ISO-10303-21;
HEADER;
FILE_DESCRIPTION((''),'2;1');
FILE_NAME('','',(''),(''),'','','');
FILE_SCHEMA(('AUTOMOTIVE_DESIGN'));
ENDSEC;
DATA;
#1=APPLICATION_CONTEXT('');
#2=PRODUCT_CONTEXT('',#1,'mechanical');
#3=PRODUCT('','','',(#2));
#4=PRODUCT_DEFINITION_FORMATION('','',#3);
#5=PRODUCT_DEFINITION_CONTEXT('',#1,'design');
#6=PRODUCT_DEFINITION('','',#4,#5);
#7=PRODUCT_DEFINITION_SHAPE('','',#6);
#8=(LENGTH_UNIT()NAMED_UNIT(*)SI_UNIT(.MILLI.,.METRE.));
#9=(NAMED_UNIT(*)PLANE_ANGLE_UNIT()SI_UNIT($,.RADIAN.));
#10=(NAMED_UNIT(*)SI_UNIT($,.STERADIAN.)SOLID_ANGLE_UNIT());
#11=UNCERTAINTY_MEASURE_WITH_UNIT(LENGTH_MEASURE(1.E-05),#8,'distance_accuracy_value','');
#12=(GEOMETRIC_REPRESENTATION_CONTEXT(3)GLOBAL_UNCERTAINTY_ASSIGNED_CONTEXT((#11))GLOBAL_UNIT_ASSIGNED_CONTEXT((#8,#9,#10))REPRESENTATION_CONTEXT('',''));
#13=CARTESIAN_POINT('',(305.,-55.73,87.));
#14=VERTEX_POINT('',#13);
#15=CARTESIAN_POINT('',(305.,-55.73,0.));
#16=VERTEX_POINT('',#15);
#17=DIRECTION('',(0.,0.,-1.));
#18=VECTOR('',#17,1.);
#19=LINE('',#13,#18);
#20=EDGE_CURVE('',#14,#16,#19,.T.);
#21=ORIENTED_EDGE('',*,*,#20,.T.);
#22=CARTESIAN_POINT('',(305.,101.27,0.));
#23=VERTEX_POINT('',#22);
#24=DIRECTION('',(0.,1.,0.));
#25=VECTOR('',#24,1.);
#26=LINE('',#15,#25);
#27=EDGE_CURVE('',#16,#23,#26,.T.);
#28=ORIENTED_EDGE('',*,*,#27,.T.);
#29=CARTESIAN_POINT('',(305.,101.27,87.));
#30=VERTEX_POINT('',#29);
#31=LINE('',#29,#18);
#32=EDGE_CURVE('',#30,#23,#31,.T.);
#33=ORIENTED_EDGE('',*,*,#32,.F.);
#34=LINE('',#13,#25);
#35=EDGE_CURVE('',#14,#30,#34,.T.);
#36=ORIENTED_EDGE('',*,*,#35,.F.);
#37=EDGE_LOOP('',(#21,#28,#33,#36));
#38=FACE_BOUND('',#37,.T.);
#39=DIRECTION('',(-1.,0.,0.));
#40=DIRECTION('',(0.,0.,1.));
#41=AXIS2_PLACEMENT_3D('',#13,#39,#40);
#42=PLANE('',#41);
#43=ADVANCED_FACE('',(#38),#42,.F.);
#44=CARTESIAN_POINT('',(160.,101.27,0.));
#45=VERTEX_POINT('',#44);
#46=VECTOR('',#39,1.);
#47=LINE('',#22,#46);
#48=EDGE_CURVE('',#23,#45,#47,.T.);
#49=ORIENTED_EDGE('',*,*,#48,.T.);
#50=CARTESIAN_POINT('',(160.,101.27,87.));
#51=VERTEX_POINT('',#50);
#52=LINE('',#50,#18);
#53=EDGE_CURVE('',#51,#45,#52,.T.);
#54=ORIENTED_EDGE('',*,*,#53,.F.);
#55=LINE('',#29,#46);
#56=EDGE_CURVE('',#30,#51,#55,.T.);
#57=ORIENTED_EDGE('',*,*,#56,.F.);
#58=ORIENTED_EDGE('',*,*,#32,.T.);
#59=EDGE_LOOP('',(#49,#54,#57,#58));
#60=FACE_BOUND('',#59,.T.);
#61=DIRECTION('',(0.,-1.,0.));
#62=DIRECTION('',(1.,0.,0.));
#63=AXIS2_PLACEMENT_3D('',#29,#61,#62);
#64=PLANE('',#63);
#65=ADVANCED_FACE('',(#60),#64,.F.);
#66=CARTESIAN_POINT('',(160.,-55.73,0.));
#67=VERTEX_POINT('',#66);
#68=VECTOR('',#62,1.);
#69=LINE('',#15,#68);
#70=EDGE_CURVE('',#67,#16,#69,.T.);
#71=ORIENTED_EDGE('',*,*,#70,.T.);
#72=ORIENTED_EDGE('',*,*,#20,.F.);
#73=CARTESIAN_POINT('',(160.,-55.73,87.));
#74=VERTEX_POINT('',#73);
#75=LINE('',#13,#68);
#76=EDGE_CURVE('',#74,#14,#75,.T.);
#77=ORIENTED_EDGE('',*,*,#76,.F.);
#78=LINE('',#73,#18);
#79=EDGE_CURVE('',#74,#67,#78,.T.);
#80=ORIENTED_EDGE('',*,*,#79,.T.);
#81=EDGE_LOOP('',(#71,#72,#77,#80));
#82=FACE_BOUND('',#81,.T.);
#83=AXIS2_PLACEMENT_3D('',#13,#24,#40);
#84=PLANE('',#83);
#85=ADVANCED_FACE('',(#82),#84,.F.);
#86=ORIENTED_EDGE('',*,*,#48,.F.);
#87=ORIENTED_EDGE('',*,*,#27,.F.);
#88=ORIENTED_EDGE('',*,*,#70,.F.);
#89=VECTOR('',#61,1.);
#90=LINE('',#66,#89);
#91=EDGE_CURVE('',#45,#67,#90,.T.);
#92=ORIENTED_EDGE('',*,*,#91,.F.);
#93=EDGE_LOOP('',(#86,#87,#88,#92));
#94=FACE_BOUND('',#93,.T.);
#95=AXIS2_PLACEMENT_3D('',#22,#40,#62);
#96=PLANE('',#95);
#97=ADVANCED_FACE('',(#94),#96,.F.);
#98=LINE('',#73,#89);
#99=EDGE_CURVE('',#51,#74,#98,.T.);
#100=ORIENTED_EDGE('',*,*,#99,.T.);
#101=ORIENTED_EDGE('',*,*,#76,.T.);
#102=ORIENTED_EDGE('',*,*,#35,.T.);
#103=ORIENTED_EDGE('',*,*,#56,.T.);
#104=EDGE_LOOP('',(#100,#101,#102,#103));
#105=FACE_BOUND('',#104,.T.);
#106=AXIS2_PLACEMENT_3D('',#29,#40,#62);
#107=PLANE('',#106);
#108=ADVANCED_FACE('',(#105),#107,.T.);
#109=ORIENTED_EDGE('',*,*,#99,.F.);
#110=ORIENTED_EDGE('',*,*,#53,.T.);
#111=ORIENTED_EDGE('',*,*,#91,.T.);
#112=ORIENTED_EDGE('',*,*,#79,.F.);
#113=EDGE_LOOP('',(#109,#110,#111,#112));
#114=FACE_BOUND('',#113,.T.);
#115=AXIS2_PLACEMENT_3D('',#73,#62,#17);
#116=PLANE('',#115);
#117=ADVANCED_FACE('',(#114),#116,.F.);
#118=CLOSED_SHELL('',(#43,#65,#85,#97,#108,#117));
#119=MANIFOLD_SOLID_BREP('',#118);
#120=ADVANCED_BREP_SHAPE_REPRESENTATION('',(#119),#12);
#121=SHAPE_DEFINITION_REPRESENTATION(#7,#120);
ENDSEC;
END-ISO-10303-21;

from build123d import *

# Parameters (mm, degrees)
SKETCH1_W           = 145
SKETCH1_H           = 157
BOSS_EXTRUDE1_DEPTH = 87


with BuildPart() as part:
    # Sketch1 → Boss-Extrude1 (new body)
    with BuildSketch(Plane.XY):
        with Locations((232.5, 22.77)):
            Rectangle(SKETCH1_W, SKETCH1_H)
    extrude(amount=BOSS_EXTRUDE1_DEPTH)


solid = part.part
